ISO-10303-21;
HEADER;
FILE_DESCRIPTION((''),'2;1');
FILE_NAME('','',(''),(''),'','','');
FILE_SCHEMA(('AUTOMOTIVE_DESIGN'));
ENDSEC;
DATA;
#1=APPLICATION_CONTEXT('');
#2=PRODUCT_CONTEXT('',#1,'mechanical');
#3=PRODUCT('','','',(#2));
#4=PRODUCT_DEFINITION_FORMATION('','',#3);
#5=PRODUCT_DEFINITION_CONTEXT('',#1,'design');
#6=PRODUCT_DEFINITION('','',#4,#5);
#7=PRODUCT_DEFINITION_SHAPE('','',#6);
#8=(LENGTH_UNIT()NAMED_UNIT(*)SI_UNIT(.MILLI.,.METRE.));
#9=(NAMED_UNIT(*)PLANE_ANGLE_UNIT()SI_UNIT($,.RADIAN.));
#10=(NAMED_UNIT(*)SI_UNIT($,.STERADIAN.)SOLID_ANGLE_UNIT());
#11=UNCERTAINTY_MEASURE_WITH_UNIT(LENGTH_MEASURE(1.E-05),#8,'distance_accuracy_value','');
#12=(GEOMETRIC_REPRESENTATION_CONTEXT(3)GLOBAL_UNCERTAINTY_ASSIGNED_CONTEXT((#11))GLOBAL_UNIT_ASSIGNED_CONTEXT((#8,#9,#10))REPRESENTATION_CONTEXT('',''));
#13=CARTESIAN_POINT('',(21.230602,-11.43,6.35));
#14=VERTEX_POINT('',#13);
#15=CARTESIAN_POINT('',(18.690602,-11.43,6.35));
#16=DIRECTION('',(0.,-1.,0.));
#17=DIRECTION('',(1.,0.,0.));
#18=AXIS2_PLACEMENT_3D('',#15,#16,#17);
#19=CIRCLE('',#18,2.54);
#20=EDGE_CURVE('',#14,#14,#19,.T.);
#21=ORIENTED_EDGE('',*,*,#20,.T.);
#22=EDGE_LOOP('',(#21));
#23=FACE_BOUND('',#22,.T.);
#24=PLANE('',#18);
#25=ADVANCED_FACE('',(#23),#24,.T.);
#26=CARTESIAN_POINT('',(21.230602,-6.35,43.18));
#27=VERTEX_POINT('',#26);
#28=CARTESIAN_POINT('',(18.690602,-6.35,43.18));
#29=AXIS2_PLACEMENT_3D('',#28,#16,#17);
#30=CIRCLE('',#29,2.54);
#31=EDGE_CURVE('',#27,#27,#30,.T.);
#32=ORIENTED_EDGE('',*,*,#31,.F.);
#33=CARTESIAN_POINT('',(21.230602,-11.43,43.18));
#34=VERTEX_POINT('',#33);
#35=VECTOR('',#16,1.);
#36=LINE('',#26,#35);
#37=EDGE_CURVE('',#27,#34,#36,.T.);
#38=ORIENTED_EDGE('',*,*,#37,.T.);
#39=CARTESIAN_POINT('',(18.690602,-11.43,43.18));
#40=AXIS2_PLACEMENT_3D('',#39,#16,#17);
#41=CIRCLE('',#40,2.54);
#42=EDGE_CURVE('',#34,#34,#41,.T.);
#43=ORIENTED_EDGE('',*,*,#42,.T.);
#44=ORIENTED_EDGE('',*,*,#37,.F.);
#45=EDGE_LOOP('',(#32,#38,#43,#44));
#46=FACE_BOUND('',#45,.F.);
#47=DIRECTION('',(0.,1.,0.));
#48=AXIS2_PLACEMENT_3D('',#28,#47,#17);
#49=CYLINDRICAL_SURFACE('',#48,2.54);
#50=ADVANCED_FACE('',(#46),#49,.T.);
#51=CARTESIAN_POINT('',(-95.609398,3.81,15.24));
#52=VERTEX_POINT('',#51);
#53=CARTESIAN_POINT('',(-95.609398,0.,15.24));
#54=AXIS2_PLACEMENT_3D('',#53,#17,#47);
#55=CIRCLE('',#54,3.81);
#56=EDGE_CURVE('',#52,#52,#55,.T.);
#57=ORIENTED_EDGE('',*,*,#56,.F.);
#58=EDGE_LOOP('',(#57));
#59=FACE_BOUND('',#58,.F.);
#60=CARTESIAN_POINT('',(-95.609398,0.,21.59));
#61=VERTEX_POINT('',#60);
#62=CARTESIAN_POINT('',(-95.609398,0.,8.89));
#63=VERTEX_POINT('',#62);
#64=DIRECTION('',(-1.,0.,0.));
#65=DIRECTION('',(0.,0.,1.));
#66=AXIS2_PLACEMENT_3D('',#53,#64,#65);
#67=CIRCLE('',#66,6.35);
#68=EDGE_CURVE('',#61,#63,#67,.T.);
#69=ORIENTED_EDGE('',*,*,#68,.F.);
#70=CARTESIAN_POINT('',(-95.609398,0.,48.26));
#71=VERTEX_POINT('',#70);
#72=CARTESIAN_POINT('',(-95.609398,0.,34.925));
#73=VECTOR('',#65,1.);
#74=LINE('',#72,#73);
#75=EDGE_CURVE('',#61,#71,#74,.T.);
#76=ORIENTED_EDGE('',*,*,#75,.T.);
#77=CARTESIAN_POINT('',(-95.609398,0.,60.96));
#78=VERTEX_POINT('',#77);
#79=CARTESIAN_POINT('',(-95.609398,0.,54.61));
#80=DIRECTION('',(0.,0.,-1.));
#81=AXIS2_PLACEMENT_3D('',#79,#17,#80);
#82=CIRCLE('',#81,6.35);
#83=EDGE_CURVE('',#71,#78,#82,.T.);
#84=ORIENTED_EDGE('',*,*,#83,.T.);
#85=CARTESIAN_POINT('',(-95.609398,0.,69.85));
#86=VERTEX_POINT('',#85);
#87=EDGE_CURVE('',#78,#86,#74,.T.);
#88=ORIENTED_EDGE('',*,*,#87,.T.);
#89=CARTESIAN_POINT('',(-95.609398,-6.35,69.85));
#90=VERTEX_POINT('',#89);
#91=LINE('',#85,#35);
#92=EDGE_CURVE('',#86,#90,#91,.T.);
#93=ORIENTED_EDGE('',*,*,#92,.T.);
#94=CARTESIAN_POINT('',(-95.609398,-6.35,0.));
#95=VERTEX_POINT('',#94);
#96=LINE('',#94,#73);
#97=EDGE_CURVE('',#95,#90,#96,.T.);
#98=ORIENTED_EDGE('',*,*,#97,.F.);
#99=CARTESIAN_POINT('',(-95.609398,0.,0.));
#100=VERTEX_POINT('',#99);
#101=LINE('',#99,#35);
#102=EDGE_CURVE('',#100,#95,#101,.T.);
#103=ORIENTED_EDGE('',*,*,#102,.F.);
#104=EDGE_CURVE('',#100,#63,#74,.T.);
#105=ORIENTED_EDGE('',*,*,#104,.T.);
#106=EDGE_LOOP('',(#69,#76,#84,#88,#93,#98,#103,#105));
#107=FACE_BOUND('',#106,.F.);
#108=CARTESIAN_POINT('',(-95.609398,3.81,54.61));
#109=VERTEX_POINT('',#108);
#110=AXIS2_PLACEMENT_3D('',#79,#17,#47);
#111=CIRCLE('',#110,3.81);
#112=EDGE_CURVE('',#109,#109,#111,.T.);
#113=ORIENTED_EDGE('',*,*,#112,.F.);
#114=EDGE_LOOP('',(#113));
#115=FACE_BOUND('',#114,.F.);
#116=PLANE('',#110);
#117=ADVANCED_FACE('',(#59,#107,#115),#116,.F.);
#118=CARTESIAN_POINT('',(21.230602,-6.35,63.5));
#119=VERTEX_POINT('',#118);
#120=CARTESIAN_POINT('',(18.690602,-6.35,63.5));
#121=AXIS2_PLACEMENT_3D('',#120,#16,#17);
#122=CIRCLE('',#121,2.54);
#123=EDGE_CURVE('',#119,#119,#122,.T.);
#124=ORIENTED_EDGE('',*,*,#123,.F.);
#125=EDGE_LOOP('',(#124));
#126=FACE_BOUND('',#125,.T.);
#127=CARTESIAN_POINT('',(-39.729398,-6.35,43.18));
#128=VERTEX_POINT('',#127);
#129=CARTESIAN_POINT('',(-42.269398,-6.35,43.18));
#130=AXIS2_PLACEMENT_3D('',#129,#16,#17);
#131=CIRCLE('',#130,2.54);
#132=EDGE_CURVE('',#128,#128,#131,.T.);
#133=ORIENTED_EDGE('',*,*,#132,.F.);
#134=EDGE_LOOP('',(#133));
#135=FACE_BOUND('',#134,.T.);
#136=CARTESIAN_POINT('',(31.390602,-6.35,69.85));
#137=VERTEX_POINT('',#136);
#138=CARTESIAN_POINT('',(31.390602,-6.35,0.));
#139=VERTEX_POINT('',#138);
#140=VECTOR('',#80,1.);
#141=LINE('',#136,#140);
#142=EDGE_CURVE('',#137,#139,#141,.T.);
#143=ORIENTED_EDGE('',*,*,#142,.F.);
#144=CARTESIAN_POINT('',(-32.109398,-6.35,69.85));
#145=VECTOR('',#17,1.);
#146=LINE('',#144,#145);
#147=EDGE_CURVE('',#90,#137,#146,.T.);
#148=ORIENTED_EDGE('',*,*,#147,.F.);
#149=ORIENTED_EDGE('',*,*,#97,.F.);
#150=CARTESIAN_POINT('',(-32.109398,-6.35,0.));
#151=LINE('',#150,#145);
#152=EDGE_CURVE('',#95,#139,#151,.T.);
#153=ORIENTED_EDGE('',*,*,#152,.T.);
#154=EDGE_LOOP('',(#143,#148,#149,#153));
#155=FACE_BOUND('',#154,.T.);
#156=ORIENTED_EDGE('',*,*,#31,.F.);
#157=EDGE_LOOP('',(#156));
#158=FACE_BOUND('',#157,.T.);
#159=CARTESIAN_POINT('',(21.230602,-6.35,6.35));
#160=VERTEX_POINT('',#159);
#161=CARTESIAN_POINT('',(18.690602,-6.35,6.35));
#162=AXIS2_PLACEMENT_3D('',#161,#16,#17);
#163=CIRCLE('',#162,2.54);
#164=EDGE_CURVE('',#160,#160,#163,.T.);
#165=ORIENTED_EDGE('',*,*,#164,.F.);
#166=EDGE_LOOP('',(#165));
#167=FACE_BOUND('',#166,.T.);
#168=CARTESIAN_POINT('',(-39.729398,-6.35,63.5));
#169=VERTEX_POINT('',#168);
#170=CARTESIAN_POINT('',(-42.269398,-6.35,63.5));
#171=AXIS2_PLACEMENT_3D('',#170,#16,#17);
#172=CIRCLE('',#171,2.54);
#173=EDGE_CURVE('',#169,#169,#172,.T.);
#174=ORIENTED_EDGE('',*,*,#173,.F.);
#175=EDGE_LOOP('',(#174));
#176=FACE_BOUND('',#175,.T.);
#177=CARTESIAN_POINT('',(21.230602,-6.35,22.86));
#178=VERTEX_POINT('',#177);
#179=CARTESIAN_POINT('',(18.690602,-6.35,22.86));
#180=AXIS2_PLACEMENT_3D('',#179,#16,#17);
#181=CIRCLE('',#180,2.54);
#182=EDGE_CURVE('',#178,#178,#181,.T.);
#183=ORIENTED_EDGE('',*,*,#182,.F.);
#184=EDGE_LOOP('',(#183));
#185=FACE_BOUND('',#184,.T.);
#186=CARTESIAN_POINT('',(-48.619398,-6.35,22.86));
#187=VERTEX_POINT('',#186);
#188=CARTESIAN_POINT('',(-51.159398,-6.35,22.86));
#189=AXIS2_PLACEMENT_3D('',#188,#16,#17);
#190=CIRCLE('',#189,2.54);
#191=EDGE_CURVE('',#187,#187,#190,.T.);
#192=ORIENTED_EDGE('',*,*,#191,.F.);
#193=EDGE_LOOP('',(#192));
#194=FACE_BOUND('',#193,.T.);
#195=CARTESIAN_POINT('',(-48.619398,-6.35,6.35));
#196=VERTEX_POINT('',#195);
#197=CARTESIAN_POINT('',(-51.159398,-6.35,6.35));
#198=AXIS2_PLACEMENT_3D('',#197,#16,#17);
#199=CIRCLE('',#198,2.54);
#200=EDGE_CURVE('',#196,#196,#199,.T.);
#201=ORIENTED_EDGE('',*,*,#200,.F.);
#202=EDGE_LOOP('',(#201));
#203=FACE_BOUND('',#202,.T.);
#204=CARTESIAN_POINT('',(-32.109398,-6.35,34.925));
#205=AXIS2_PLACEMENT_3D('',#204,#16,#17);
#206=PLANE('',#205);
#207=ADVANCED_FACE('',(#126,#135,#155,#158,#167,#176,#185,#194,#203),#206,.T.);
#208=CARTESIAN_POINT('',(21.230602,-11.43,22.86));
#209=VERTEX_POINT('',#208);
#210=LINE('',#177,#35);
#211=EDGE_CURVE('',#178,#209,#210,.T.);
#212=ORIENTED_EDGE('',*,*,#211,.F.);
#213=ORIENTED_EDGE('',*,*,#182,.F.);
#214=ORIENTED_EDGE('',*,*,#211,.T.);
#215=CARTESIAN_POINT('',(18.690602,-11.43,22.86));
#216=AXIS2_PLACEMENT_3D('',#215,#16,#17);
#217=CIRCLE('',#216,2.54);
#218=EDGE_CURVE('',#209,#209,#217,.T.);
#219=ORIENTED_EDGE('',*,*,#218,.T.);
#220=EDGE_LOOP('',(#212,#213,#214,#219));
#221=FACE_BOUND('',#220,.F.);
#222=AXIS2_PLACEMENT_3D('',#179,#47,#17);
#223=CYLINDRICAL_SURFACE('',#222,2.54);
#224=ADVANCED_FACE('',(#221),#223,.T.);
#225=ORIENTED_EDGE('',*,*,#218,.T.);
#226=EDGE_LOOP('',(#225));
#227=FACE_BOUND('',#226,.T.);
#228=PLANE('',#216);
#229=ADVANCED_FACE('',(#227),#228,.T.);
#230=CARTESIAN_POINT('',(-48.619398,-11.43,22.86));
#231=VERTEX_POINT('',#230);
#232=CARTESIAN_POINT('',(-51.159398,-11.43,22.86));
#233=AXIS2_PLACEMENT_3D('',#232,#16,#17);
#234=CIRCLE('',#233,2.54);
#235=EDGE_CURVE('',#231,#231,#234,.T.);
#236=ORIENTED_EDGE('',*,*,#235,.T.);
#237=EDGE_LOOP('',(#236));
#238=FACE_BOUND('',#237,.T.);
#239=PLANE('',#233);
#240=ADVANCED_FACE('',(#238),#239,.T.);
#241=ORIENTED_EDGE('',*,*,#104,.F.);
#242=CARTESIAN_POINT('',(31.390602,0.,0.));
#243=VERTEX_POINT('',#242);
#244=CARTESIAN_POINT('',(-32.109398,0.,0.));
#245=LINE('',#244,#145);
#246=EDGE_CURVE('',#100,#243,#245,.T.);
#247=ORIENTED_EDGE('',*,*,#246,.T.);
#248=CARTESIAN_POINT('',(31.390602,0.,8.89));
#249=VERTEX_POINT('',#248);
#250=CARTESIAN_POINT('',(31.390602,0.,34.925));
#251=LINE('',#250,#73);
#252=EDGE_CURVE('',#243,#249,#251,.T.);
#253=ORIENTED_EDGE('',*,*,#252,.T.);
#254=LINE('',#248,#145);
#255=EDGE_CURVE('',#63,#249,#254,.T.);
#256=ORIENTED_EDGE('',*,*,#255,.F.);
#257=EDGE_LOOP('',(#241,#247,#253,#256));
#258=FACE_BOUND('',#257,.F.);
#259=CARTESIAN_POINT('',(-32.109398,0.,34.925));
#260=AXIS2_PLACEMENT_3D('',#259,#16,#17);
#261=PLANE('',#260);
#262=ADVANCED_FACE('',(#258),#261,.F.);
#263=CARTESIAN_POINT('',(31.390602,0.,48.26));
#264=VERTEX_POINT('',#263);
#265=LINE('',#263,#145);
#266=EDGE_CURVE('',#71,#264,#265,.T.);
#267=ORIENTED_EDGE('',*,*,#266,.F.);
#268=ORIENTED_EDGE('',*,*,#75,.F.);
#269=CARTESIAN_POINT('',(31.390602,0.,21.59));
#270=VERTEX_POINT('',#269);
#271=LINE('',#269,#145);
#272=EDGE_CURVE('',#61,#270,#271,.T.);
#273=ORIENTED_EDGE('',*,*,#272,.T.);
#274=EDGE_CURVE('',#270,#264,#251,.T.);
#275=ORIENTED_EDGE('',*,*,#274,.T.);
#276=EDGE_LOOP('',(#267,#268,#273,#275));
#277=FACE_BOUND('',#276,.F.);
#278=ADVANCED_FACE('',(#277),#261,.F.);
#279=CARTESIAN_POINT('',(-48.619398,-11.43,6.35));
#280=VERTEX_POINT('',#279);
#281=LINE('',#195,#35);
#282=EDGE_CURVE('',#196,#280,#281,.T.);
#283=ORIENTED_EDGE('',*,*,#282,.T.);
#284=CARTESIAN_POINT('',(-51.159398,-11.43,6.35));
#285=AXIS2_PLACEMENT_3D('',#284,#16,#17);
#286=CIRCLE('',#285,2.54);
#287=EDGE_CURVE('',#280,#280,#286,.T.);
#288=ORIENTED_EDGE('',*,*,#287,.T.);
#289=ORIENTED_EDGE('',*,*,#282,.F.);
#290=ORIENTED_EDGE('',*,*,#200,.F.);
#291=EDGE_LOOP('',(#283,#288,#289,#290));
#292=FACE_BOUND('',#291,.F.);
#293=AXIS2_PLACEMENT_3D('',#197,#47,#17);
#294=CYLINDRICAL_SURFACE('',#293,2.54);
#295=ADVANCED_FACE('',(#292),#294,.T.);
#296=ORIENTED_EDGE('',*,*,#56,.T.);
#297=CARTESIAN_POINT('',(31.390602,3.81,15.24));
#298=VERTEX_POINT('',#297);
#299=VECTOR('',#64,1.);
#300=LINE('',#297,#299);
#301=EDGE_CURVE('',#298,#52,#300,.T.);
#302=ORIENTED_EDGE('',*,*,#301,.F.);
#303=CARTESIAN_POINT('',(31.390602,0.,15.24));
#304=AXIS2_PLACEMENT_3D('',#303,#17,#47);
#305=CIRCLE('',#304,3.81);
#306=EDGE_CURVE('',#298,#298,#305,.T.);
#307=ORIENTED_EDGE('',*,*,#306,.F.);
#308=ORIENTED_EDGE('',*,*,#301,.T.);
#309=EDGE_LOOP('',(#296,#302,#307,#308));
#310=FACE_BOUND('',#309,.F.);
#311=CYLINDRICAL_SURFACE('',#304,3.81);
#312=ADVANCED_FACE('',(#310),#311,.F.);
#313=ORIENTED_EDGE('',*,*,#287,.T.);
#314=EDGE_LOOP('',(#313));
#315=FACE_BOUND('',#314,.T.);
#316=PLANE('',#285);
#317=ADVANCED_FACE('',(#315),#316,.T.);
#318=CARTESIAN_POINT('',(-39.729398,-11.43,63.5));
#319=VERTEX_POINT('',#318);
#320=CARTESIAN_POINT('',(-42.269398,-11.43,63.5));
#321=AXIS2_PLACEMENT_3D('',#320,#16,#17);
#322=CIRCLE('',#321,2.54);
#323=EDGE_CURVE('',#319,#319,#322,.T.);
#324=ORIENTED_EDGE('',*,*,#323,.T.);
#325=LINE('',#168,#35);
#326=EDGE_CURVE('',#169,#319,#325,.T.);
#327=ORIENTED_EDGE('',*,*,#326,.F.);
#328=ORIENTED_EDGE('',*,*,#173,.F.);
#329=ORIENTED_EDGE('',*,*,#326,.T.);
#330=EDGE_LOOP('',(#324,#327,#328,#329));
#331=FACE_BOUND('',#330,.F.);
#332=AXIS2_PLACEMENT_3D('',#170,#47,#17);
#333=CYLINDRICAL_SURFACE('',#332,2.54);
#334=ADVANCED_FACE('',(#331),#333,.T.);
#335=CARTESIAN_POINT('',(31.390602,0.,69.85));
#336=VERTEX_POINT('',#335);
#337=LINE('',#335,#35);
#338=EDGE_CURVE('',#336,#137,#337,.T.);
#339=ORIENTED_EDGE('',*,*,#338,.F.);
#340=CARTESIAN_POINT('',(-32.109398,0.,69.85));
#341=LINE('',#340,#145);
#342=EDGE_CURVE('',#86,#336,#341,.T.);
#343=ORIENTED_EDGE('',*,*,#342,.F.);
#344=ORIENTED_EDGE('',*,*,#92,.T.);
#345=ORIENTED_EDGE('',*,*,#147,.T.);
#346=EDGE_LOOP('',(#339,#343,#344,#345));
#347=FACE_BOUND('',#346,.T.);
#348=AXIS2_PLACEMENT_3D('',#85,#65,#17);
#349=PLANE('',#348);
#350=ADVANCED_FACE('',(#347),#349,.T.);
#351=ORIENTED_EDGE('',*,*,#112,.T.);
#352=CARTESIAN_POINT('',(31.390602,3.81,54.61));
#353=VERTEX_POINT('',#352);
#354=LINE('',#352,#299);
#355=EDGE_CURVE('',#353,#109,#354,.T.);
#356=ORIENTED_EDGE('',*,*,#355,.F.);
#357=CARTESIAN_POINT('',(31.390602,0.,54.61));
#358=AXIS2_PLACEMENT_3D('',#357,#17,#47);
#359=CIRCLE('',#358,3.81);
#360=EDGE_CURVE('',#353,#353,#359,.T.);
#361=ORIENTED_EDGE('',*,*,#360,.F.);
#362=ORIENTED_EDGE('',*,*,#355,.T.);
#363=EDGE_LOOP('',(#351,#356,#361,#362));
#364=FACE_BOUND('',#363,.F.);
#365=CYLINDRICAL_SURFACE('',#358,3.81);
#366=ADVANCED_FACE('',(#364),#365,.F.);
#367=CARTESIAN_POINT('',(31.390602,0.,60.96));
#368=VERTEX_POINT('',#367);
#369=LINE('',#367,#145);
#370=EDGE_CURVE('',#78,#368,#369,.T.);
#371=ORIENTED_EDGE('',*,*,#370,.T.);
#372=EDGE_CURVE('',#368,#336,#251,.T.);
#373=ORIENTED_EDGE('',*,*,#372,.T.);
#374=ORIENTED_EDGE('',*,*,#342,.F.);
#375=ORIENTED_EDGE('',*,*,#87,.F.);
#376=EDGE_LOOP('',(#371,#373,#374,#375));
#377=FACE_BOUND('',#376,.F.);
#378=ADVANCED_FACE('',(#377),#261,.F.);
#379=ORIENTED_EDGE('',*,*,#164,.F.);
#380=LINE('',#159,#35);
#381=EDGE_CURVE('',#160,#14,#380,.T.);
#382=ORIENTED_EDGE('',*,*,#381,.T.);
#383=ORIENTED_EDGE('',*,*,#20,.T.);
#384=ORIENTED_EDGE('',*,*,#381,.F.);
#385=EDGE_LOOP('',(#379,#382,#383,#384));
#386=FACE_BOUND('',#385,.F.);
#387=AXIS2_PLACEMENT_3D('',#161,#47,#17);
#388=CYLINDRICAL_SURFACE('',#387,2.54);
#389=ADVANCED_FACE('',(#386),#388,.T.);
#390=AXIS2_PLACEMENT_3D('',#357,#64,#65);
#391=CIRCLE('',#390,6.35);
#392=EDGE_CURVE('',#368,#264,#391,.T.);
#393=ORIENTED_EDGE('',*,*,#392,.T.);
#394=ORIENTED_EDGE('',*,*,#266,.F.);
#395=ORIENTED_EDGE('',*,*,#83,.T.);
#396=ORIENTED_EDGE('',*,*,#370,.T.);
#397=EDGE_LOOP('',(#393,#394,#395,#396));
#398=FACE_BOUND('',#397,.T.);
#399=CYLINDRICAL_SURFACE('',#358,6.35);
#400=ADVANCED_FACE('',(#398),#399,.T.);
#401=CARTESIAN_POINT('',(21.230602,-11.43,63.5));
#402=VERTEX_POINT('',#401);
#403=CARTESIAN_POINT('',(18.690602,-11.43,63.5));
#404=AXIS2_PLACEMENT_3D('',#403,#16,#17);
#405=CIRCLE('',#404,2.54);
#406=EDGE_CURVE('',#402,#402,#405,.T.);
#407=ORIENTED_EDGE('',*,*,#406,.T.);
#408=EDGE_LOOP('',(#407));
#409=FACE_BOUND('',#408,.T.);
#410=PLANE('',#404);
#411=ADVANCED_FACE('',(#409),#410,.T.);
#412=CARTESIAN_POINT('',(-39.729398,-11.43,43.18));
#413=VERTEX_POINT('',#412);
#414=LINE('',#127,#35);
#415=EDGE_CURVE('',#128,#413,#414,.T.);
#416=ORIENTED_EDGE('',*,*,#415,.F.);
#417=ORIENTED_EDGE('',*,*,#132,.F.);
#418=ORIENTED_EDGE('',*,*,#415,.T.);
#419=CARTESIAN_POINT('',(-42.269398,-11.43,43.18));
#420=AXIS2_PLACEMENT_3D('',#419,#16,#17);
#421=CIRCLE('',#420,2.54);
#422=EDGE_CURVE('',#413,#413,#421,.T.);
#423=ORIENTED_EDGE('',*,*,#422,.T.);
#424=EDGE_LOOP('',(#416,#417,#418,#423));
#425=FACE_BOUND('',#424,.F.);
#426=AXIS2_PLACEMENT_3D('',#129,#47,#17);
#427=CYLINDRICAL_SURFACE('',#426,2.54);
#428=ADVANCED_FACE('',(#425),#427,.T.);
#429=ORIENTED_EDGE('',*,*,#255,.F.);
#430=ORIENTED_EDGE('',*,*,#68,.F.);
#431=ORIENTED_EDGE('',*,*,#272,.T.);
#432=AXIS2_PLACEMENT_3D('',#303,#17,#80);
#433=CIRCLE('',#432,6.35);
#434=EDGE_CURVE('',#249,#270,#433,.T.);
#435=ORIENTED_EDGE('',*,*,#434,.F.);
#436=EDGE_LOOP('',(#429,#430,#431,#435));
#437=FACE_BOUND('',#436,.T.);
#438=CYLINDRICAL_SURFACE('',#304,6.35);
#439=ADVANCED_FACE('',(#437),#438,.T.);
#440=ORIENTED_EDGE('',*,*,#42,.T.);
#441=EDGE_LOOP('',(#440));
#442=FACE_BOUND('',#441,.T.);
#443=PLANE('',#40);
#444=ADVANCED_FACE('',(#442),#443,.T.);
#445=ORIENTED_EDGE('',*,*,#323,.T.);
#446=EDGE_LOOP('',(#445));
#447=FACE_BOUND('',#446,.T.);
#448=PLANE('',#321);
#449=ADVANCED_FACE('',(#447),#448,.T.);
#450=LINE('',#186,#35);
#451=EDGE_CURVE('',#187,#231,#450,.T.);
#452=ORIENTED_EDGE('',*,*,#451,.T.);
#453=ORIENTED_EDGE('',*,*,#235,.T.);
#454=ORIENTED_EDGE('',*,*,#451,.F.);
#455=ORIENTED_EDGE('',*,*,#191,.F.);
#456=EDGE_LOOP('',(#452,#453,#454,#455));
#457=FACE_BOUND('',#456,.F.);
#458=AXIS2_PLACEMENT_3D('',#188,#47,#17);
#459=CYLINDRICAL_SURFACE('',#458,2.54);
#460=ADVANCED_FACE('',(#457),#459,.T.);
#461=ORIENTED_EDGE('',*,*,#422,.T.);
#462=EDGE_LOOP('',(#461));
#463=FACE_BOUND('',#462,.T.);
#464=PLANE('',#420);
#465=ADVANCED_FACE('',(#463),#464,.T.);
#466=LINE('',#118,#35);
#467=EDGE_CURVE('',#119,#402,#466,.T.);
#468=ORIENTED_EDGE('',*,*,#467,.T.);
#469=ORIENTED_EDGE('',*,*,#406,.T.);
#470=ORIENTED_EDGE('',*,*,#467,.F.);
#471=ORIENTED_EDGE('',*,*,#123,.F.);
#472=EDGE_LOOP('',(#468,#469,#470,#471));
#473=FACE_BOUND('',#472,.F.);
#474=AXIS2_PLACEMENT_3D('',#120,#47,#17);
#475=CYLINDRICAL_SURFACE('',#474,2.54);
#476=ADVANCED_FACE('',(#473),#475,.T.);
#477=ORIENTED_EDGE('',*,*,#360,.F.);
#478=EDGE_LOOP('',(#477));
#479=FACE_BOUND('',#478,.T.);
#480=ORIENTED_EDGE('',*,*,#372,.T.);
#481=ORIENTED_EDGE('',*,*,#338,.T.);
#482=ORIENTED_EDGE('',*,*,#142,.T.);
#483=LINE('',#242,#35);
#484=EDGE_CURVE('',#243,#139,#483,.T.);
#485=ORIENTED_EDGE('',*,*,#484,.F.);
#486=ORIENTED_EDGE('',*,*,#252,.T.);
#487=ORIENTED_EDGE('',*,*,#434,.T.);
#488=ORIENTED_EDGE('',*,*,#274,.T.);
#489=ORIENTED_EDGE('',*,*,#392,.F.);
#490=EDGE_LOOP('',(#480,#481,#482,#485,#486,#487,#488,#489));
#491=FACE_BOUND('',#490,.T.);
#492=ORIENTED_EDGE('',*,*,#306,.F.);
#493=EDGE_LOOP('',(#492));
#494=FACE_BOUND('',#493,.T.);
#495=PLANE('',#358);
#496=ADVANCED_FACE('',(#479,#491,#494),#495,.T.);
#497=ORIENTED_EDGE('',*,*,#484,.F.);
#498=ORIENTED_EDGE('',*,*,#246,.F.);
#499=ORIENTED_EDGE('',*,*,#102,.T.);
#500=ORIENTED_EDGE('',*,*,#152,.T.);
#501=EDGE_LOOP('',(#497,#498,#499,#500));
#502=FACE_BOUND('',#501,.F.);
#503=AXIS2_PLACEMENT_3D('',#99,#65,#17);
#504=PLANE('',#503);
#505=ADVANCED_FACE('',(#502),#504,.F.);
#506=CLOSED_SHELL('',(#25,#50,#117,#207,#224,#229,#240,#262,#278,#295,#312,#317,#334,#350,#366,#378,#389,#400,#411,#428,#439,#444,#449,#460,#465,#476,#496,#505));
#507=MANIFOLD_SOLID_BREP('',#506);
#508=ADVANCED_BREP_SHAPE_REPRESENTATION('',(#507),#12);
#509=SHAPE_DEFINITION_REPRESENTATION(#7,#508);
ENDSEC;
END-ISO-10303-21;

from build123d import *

# Parameters (mm, degrees)
F6_W     = 127
F6_H     = 69.85
F0_DEPTH = 6.35
F1_R     = 6.35
F2_DEPTH = 127
F7_R     = 3.81
F8_DEPTH = 127
F3_R     = 2.54
F4_DEPTH = 5.08
F9_R     = 2.54
F5_DEPTH = 5.08


with BuildPart() as f0:
    # F6 (on Front) → F0 (new body)
    with BuildSketch(Plane.XZ):
        with Locations((-32.109398, 34.925)):
            Rectangle(F6_W, F6_H)
    extrude(amount=F0_DEPTH)

    # F1 (on face) → F2 (join)
    with BuildSketch(Plane.YZ.offset(31.390602)):
        with Locations((0, 54.61)):
            Circle(F1_R)
        with Locations((0, 15.24)):
            Circle(F1_R)
    extrude(amount=-F2_DEPTH)

    # F7 (on face) → F8 (cut)
    with BuildSketch(Plane.YZ.offset(31.390602)):
        with Locations((0, 54.61)):
            Circle(F7_R)
        with Locations((0, 15.24)):
            Circle(F7_R)
    extrude(amount=-F8_DEPTH, mode=Mode.SUBTRACT)

    # F3 (on face) → F4 (join)
    with BuildSketch(Plane.XZ.offset(6.35)):
        with Locations((-51.159398, 6.35)):
            Circle(F3_R)
        with Locations((-51.159398, 22.86)):
            Circle(F3_R)
        with Locations((18.690602, 6.35)):
            Circle(F3_R)
        with Locations((18.690602, 22.86)):
            Circle(F3_R)
    extrude(amount=F4_DEPTH)

    # F9 (on face) → F5 (join)
    with BuildSketch(Plane.XZ.offset(6.35)):
        with Locations((-42.269398, 43.18)):
            Circle(F9_R)
        with Locations((-42.269398, 63.5)):
            Circle(F9_R)
        with Locations((18.690602, 43.18)):
            Circle(F9_R)
        with Locations((18.690602, 63.5)):
            Circle(F9_R)
    extrude(amount=F5_DEPTH)


solid = f0.part
